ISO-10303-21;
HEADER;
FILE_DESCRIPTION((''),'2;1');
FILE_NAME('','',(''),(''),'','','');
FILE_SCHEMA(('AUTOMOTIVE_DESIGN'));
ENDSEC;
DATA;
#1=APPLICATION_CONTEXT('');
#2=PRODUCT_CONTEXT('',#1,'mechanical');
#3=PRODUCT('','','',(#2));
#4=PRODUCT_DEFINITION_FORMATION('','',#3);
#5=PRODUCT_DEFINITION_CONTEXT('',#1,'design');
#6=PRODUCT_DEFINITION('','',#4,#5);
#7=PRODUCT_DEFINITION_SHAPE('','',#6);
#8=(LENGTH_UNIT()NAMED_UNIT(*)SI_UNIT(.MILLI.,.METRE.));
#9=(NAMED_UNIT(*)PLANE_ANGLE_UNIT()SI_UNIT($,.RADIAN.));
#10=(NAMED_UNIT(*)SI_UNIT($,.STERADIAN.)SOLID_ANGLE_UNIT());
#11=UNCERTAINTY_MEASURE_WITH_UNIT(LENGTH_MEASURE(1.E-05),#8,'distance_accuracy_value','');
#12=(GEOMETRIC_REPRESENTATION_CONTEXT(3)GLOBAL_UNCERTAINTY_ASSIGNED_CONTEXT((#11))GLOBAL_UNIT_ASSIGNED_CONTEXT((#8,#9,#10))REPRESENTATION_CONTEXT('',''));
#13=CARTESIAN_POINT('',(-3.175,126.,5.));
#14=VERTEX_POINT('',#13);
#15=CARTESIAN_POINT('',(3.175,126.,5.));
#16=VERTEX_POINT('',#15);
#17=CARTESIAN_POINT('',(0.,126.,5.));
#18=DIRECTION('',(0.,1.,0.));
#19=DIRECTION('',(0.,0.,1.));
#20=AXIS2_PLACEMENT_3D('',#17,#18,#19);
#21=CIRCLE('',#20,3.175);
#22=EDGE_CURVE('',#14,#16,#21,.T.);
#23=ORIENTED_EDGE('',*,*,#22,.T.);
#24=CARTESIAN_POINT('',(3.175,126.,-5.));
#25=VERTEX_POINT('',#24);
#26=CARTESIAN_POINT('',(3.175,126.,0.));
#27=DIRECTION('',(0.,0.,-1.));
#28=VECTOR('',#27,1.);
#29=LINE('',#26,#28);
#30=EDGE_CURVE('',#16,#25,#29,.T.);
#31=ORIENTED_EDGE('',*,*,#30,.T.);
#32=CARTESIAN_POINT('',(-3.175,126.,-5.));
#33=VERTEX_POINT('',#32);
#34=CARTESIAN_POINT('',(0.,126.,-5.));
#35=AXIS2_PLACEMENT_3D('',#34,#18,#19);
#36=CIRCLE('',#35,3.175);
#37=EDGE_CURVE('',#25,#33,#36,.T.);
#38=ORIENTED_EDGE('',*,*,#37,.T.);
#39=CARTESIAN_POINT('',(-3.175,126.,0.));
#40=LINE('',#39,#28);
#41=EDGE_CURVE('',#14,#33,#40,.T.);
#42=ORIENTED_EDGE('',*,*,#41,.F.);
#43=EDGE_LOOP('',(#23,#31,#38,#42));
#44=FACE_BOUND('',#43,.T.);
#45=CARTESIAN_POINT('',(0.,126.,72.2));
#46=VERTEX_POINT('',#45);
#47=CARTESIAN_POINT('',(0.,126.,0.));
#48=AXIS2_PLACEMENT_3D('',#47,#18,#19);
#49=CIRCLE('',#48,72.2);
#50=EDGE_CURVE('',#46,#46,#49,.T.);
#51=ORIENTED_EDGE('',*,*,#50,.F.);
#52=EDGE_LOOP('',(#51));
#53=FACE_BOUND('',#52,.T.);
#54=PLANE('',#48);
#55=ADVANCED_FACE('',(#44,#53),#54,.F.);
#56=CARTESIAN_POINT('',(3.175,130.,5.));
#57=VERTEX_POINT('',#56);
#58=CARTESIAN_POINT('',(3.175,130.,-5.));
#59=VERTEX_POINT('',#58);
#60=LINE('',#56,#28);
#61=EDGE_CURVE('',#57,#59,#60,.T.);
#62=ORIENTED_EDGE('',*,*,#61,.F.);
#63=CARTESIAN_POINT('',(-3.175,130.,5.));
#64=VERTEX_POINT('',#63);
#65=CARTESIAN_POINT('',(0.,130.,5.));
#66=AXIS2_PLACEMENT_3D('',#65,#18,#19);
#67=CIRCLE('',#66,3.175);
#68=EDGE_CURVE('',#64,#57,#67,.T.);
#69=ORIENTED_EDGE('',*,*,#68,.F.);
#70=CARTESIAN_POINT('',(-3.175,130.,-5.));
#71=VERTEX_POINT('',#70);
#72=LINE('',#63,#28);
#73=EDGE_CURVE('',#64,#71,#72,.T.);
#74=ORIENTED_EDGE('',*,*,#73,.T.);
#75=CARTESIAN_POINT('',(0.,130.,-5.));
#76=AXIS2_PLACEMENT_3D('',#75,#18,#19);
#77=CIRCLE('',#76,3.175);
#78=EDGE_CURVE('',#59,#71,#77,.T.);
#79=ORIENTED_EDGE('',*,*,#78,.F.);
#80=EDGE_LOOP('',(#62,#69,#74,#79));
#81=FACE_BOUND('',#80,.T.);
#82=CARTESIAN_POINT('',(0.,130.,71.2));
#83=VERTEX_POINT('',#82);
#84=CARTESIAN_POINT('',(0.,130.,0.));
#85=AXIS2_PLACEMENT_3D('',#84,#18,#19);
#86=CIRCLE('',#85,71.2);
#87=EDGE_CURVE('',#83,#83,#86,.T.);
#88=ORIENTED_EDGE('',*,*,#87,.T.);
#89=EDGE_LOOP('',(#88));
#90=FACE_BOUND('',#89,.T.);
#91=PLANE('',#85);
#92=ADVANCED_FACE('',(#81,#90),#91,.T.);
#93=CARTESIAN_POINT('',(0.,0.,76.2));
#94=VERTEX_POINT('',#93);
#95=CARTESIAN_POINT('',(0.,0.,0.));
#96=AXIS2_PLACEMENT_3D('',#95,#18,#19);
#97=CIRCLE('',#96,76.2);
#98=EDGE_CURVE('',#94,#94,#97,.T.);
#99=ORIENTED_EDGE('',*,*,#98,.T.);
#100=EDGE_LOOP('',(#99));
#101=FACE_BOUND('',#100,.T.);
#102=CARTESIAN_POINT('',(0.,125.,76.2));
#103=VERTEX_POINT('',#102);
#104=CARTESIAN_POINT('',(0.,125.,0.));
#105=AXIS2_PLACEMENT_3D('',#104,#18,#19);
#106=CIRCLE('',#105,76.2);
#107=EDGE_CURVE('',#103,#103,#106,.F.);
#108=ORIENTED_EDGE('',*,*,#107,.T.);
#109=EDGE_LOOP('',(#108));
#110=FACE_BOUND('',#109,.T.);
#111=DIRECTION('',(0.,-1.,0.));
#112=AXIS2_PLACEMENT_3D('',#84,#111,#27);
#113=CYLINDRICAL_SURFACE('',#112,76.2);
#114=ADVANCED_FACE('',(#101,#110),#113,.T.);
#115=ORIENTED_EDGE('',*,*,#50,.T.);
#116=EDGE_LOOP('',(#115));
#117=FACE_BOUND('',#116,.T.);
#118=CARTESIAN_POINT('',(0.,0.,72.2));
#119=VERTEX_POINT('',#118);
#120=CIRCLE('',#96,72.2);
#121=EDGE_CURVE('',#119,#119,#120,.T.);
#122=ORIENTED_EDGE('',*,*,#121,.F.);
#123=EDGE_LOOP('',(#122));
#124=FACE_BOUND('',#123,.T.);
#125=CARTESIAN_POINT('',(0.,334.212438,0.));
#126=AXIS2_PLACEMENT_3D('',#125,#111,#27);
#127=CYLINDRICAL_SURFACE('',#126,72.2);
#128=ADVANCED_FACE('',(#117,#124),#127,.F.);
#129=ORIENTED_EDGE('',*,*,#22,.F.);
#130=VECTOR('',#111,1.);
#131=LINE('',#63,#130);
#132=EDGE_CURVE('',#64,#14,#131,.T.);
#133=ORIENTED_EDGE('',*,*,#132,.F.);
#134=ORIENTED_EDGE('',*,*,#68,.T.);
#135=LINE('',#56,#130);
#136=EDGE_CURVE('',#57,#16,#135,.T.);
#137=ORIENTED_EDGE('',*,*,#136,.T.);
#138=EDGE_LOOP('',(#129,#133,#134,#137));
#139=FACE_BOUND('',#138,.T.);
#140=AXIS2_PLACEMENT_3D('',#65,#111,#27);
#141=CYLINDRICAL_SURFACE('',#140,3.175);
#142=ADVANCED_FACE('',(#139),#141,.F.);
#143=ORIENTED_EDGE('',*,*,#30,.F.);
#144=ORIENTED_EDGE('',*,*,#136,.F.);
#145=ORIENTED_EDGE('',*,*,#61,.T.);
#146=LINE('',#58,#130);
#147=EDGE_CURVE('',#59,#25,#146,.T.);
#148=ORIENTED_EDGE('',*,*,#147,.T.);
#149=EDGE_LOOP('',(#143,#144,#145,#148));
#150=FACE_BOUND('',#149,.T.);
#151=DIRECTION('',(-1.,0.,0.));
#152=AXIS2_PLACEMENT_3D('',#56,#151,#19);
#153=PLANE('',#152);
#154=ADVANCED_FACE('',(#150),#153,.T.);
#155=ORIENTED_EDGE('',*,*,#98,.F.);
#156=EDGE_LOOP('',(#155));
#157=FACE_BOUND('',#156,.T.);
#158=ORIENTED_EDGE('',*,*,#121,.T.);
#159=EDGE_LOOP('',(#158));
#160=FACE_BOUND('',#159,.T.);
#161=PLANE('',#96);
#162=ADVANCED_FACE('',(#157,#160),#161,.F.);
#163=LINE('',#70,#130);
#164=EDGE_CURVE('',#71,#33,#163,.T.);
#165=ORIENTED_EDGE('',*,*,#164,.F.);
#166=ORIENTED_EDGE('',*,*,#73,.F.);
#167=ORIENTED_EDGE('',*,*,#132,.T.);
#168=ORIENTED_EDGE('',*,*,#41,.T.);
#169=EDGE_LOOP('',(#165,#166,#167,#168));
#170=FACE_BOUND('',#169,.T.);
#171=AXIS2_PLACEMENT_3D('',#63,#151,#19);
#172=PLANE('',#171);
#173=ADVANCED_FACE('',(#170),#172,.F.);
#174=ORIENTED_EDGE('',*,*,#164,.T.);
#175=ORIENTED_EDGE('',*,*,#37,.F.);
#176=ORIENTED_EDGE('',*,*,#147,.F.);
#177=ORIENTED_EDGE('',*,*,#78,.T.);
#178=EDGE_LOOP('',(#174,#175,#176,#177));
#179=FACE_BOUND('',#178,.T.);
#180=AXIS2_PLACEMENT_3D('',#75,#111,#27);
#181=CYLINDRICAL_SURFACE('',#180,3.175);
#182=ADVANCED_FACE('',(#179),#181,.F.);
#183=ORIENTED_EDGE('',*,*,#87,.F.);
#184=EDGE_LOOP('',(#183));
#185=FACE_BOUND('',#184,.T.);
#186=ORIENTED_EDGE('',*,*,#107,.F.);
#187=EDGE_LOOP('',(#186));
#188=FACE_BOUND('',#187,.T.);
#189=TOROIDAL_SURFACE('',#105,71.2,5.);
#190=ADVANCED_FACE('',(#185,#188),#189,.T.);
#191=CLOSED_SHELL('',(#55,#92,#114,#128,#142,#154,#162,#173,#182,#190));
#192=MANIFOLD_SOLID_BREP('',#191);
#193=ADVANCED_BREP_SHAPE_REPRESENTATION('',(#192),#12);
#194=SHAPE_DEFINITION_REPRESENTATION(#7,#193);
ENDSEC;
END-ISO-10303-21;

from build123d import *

# Parameters (mm, degrees)
SKETCH1_R           = 76.2
BOSS_EXTRUDE1_DEPTH = 130
SKETCH1_3_R         = 72.2
CUT_EXTRUDE1_DEPTH  = 126
FILLET1_R           = 5


with BuildPart() as part:
    # Sketch1 → Boss-Extrude1 (new body)
    with BuildSketch(Plane(origin=(0, 0, 0), x_dir=(1, 0, 0), z_dir=(0, 1, 0))):
        with Locations(Location((0, 0, 0), (0, 0, 270))):
            Circle(SKETCH1_R)
        with BuildLine():
            Line((-3.175, -5), (-3.175, 5))
            ThreePointArc((-3.175, 5), (0, 8.175), (3.175, 5))
            Line((3.175, 5), (3.175, -5))
            ThreePointArc((3.175, -5), (0, -8.175), (-3.175, -5))
        make_face(mode=Mode.SUBTRACT)
    extrude(amount=BOSS_EXTRUDE1_DEPTH)

    # Sketch1<3> → Cut-Extrude1 (cut)
    with BuildSketch(Plane(origin=(0, 0, 0), x_dir=(1, 0, 0), z_dir=(0, 1, 0))):
        with Locations(Location((0, 0, 0), (0, 0, 270))):
            Circle(SKETCH1_3_R)
    extrude(amount=CUT_EXTRUDE1_DEPTH, mode=Mode.SUBTRACT)

    # Fillet1
    fillet1_edges = [part.edges().sort_by_distance(p)[0] for p in [
        (0, 130, -76.2),
    ]]
    fillet(fillet1_edges, radius=FILLET1_R)


solid = part.part
